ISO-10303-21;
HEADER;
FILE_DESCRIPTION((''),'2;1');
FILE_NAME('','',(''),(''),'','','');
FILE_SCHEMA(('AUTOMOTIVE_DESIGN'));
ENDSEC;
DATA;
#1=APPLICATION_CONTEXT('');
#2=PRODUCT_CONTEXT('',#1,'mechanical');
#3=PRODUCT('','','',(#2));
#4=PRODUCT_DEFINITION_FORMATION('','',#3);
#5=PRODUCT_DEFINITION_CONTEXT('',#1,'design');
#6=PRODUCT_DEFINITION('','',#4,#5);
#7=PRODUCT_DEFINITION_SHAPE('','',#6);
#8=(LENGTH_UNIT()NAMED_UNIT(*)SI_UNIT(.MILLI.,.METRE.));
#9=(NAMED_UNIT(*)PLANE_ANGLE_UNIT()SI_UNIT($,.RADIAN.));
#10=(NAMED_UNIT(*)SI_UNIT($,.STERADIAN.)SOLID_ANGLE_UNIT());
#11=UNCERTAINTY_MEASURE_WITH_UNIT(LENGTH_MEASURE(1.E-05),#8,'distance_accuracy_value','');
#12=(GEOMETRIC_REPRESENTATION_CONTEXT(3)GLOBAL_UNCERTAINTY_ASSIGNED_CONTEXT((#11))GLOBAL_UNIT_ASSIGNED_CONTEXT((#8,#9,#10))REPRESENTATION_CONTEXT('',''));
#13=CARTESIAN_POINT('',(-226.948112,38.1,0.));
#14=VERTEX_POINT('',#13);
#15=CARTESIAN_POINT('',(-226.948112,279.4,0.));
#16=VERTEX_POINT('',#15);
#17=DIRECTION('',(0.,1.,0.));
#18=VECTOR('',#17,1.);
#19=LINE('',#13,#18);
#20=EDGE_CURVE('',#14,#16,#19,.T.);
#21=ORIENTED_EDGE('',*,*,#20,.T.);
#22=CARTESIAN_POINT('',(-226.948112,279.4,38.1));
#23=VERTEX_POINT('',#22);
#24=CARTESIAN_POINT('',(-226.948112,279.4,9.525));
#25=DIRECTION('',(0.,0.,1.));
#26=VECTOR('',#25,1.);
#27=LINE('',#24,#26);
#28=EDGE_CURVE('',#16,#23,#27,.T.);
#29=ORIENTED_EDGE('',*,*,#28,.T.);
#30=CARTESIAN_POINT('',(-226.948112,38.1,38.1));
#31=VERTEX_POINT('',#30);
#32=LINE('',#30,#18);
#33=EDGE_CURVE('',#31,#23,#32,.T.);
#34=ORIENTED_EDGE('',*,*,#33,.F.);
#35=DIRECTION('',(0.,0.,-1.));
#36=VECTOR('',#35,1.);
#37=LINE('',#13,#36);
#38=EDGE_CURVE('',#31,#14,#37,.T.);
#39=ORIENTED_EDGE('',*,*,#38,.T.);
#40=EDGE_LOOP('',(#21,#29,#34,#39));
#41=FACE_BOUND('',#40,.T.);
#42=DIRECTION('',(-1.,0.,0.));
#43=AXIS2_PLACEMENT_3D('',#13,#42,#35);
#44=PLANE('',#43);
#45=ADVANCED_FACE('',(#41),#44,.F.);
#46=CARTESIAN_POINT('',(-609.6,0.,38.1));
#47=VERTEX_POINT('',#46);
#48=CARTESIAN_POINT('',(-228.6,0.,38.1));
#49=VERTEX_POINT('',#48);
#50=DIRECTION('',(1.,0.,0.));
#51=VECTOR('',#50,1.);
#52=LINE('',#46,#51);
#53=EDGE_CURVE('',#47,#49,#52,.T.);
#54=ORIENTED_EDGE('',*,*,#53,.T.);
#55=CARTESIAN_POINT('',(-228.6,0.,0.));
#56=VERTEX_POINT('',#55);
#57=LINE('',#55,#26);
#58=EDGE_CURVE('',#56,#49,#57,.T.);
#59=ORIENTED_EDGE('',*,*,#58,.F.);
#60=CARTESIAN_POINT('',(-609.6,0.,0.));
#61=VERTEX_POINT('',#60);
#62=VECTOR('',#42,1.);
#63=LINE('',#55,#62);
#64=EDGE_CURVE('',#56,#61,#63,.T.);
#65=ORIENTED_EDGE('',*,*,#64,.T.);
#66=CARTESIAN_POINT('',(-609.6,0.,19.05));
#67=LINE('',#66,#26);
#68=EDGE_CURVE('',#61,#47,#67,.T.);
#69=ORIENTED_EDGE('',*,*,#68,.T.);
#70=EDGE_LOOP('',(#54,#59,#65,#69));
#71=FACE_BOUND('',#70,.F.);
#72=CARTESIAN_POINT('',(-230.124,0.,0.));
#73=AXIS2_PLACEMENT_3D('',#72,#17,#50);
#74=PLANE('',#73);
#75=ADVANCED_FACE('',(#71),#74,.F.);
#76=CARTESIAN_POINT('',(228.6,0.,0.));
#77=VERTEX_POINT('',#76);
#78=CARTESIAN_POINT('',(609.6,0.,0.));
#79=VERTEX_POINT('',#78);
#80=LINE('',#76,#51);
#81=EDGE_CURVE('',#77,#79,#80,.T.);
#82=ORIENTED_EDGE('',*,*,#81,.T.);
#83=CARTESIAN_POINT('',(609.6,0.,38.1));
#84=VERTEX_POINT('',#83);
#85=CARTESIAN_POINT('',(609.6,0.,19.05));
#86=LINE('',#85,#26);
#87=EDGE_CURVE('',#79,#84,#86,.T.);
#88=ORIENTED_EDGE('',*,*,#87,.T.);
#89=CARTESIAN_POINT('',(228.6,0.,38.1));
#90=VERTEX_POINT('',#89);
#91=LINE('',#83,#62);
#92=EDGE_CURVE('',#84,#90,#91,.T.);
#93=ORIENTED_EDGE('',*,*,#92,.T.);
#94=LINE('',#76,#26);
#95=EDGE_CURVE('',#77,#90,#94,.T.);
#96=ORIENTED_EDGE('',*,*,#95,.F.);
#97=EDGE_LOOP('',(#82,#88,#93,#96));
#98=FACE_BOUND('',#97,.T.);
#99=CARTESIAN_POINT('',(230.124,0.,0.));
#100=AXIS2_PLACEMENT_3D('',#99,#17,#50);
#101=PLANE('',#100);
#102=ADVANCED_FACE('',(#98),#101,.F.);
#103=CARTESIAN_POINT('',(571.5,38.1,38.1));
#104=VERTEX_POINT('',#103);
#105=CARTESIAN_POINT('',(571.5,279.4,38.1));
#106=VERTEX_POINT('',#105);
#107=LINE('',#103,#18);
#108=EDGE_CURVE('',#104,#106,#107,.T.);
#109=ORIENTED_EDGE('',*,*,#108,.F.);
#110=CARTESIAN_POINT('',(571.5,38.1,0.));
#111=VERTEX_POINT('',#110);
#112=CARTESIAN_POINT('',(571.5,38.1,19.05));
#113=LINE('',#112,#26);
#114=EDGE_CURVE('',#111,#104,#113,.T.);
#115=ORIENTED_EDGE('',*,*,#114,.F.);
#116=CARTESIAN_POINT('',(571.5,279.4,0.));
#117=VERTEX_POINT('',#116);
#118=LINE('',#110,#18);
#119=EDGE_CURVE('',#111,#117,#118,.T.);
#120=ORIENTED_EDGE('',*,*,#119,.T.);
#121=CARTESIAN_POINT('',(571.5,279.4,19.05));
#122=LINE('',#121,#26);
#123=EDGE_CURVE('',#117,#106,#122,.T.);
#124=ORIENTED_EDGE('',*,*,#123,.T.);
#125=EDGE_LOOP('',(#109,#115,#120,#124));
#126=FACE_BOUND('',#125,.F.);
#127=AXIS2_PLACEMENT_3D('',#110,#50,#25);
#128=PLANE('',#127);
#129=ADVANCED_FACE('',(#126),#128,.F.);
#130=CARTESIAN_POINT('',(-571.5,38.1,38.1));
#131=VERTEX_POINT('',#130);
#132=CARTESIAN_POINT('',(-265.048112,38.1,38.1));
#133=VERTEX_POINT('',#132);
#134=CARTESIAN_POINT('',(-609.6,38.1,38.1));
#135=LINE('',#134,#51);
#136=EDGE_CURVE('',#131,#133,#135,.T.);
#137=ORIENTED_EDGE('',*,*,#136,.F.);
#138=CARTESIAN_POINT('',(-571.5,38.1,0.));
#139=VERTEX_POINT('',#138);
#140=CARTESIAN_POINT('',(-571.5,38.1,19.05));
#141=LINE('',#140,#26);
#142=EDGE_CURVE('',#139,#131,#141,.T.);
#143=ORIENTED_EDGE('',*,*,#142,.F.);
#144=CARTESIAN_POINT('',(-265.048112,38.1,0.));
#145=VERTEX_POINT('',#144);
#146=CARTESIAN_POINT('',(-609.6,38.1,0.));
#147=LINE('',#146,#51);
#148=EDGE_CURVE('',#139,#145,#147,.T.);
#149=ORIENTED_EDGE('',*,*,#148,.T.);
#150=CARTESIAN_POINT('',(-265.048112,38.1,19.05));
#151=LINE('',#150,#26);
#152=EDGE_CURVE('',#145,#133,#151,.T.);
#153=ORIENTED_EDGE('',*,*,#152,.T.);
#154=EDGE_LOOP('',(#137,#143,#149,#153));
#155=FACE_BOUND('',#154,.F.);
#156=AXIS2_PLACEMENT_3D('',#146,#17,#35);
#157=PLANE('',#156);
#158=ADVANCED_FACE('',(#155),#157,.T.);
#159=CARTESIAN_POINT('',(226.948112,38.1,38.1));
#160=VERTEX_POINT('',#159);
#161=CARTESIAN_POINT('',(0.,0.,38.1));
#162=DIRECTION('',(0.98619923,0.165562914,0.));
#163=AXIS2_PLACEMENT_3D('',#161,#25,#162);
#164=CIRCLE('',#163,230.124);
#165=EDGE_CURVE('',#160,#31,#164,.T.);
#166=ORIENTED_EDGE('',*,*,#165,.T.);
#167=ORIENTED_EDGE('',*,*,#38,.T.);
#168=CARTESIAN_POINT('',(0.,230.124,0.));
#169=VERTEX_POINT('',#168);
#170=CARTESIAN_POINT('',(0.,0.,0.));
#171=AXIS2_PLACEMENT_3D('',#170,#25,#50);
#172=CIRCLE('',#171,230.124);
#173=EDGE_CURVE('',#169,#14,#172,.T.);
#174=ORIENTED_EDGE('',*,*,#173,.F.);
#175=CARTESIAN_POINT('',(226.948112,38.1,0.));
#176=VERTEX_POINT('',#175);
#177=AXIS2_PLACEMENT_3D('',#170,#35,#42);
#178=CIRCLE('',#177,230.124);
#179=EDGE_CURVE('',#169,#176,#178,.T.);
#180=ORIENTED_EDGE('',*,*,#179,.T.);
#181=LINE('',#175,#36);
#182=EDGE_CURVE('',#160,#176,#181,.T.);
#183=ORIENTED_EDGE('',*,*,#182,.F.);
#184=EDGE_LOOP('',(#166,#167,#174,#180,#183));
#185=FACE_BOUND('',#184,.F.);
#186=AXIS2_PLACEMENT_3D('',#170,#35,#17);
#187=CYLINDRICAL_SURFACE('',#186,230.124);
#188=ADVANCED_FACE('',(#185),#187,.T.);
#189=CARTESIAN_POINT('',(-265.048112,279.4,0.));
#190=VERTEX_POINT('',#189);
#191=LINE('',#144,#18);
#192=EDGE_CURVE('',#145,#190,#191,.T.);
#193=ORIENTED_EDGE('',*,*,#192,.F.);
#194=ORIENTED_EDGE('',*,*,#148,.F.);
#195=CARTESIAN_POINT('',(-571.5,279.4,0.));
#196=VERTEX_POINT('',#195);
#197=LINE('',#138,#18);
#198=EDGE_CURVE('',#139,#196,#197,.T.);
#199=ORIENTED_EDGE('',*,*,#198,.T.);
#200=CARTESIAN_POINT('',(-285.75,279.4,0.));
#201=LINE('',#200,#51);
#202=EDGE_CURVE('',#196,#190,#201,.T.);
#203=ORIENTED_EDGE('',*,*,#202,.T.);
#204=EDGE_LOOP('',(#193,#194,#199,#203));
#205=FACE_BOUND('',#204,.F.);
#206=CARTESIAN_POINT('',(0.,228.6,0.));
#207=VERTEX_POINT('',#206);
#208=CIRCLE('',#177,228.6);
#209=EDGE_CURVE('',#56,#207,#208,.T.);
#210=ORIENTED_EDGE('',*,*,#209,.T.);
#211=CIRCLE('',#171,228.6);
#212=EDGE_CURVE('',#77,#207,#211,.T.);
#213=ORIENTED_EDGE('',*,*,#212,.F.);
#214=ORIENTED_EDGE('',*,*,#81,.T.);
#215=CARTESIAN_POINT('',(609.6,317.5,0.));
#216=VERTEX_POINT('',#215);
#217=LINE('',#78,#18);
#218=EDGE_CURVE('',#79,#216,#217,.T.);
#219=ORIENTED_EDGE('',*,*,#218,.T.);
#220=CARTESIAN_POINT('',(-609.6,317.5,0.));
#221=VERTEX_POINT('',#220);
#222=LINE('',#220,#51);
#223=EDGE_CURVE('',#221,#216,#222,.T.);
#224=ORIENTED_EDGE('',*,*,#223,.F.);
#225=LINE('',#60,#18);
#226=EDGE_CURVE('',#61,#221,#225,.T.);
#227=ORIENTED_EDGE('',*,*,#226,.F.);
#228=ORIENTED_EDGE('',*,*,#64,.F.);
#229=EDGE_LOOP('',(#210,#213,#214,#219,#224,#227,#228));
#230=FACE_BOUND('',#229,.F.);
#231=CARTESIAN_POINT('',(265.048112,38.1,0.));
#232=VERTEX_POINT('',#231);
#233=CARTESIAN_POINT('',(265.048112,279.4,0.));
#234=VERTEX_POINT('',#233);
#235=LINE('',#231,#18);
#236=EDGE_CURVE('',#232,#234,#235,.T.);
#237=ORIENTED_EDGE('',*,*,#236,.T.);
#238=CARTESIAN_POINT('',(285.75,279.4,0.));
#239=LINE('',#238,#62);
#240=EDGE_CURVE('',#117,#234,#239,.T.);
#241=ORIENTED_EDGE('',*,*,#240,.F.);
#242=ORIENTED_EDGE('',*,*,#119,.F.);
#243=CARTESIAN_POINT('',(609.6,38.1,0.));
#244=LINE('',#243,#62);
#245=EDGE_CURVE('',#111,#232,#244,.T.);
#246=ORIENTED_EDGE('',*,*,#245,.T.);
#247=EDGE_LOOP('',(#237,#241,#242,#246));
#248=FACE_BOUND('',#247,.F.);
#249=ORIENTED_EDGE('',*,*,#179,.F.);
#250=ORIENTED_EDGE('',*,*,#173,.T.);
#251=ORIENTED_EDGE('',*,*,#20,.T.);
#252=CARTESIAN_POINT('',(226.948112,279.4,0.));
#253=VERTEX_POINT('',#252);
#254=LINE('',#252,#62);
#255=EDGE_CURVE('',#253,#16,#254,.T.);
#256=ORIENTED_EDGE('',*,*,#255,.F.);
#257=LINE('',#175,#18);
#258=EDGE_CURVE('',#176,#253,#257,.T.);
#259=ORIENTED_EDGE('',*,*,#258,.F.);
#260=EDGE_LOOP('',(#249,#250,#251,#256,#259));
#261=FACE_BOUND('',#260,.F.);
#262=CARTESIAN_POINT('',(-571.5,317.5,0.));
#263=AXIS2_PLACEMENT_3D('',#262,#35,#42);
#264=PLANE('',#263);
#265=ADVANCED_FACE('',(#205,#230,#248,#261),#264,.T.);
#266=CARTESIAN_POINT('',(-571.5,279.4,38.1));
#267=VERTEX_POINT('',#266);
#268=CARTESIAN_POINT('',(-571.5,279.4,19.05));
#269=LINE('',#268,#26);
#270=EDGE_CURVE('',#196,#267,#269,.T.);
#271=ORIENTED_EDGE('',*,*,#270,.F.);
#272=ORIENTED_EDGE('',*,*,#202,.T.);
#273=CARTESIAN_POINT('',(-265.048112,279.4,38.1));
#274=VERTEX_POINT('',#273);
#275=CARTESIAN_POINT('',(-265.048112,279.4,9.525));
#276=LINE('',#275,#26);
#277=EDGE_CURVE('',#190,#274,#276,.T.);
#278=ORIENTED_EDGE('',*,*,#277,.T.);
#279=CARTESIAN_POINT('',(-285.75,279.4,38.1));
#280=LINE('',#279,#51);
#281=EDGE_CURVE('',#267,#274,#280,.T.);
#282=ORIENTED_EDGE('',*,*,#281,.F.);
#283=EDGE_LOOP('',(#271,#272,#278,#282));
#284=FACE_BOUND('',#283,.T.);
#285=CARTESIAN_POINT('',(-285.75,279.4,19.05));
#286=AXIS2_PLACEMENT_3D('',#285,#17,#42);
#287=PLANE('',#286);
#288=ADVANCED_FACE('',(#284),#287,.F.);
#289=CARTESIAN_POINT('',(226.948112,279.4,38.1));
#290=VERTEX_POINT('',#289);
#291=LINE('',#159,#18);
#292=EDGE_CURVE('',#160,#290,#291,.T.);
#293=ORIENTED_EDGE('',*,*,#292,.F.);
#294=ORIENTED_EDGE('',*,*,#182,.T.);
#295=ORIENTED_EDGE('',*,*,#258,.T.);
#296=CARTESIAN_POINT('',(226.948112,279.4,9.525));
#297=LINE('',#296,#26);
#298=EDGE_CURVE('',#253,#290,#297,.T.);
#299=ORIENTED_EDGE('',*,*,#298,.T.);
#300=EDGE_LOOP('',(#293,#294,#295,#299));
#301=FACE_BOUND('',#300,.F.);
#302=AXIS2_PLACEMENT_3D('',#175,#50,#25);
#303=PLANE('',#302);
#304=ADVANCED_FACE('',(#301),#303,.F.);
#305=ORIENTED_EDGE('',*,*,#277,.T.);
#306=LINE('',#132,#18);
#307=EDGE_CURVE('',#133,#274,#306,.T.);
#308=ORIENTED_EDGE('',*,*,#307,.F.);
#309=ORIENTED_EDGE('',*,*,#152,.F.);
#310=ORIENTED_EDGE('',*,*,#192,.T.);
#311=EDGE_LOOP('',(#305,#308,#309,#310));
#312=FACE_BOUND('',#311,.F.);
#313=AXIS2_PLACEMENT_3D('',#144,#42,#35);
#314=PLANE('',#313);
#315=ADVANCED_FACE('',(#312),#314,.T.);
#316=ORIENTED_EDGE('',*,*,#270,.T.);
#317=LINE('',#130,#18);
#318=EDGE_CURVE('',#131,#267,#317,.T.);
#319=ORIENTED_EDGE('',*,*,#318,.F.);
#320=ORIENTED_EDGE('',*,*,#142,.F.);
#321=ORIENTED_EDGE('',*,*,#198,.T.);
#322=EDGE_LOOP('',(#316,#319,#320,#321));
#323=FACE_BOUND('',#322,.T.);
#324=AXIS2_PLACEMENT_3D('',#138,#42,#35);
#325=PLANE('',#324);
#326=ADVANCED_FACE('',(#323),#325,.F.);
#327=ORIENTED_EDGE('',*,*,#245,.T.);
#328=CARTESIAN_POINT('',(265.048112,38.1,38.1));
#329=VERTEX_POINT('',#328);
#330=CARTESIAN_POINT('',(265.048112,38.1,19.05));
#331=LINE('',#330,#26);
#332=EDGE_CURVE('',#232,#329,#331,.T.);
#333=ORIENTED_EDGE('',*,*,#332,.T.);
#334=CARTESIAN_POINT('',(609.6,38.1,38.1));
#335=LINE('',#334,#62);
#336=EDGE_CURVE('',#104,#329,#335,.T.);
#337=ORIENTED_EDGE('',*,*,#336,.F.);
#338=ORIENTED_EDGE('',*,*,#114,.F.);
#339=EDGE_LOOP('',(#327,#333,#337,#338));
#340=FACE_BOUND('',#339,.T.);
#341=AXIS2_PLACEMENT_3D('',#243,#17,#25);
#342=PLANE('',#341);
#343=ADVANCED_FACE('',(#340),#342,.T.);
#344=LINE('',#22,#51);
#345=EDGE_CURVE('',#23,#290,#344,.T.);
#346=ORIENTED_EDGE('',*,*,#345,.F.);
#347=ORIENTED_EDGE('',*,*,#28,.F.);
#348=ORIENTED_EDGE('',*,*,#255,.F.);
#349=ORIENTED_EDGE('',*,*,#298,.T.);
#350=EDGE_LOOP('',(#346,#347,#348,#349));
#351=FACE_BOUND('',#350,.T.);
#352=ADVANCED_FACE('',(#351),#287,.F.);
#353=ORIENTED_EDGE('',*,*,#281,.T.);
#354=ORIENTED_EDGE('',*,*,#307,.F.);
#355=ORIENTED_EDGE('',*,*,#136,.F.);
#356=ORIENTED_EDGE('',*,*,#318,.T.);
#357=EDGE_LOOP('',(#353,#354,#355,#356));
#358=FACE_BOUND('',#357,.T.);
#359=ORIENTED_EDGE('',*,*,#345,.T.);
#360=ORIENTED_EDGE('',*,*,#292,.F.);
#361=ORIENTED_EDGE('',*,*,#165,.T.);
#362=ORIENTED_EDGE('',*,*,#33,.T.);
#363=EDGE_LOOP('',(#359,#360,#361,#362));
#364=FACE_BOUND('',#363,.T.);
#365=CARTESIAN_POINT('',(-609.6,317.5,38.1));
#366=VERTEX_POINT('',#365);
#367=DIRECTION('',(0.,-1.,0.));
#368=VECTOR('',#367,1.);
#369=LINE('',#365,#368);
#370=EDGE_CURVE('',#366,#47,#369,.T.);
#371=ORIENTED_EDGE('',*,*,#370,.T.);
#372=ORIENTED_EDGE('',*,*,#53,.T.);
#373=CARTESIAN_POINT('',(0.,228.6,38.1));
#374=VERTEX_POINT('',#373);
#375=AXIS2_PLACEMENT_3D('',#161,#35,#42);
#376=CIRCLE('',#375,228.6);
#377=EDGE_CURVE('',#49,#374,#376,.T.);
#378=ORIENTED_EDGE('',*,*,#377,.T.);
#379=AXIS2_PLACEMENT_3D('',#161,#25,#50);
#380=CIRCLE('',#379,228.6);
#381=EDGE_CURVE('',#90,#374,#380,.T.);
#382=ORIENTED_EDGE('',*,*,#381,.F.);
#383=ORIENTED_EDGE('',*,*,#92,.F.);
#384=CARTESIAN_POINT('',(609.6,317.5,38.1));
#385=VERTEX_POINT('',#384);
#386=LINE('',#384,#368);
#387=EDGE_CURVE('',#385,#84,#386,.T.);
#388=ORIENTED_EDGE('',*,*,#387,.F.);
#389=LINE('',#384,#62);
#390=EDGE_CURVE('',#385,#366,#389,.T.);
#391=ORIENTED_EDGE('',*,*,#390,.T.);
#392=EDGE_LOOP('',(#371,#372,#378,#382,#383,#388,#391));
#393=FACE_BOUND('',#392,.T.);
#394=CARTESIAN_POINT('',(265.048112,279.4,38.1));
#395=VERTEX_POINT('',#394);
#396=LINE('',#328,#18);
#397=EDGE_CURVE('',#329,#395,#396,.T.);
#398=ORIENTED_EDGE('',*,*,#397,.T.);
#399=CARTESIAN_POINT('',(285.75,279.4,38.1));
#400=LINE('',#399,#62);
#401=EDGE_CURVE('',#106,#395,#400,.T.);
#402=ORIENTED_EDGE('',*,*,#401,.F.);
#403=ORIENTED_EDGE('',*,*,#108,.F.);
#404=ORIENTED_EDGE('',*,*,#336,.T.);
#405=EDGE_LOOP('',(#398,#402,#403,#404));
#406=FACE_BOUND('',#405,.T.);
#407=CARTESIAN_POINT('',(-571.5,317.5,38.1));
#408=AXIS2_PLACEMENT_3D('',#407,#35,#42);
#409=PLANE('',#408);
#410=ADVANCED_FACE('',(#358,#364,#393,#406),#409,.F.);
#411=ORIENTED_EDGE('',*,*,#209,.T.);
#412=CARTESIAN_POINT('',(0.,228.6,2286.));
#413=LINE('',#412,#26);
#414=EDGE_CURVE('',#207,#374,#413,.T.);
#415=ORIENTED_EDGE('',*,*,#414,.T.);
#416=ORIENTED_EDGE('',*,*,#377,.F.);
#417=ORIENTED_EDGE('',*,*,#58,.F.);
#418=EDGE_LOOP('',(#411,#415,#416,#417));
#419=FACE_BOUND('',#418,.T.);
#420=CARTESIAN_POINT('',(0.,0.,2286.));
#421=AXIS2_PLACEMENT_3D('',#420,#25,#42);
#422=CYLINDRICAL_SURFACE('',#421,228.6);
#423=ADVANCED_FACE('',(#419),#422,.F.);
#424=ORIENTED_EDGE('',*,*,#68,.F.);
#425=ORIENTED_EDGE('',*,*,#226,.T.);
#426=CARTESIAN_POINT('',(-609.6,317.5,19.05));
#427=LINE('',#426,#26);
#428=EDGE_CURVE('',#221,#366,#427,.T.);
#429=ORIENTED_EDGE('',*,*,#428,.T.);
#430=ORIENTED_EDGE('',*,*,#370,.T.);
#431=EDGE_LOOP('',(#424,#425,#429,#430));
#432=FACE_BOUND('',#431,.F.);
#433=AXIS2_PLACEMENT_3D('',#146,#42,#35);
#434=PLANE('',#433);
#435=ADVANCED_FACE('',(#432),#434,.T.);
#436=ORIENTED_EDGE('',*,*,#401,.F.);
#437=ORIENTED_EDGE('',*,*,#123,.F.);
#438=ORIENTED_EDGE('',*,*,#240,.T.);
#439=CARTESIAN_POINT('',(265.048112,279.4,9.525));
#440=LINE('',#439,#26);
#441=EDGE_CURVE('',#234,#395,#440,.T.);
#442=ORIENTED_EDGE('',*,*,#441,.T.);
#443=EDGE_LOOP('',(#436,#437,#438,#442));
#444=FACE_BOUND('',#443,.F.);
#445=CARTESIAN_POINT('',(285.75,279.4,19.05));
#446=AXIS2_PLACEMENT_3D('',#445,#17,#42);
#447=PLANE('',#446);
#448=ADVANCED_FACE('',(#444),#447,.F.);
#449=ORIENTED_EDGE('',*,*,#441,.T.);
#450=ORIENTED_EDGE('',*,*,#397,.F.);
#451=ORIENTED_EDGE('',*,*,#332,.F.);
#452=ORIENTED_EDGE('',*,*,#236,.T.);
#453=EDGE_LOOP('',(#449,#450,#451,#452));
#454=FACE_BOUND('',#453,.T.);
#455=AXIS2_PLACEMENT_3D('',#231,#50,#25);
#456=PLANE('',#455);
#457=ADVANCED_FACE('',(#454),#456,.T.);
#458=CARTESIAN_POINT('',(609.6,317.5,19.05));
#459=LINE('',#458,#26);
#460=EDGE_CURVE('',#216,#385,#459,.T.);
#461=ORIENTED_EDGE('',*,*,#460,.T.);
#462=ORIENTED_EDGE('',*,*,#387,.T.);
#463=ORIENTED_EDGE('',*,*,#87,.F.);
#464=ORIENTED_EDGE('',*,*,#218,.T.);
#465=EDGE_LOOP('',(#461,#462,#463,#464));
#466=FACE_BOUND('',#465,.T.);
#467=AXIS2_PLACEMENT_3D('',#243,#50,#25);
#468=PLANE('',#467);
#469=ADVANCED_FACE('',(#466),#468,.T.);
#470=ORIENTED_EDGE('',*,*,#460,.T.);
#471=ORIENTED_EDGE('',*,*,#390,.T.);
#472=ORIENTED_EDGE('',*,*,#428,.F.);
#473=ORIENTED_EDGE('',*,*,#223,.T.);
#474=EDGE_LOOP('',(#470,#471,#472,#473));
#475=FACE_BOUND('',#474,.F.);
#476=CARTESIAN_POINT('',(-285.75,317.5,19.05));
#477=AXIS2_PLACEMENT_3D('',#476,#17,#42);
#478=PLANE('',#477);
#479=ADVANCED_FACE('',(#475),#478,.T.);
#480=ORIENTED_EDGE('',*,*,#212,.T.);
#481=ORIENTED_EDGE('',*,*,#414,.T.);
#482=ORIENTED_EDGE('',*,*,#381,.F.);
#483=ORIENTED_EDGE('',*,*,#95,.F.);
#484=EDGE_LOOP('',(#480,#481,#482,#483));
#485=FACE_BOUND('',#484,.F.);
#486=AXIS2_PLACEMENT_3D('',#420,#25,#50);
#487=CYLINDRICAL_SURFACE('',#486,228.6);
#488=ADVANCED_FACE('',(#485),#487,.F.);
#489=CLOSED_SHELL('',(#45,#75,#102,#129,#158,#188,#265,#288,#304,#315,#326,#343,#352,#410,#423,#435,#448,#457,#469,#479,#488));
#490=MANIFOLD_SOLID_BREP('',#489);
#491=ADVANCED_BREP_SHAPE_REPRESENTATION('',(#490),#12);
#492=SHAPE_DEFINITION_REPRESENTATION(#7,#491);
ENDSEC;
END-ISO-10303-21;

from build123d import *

# Parameters (mm, degrees)
F0_R      = 228.6
F1_DEPTH  = 2286
F3_DEPTH  = 38.1
F6_W      = 38.1
F6_H      = 38.1
F8_W      = 38.1
F8_H      = 38.1
F9_DEPTH  = 279.4
F10_W     = 571.5
F10_H     = 38.1
F11_DEPTH = 38.1
F12_W     = 424.9351322651
F12_H     = 38.1
F13_DEPTH = 546.101
F14_R     = 228.6
F15_DEPTH = 4572


with BuildPart() as f1:
    # F0 (on Top) → F1 (new body, symmetric)
    with BuildSketch(Plane.XY):
        Circle(F0_R)
    extrude(amount=F1_DEPTH, both=True)

    # F2 (on Top) → F3 (join)
    with BuildSketch(Plane.XY):
        with BuildLine():
            ThreePointArc((-226.949, 0), (-160.4771768835, 160.4771768835), (0, 226.949))
            Line((0, 226.949), (0, 230.124))
            ThreePointArc((0, 230.124), (-162.7222409138, 162.7222409138), (-230.124, 0))
            Line((-230.124, 0), (-226.949, 0))
        make_face()
    extrude(amount=F3_DEPTH)

    # F4: F1 across face


with BuildPart() as f1_1:
    add(f1.part)
    add(f1.part.mirror(Plane(origin=(0, 229.362, 19.05), x_dir=(0, 1, 0), z_dir=(1, 0, 0))))

    # F6 (on offset) → F7 (join, up to the next surface of F1)
    with BuildSketch(Plane.YZ.offset(609.6)):
        with Locations((19.05, 19.05)):
            Rectangle(F6_W, F6_H)
    extrude(until=Until.NEXT, dir=(-1, 0, 0))

    # F8 (on face) → F9 (join)
    with BuildSketch(Plane(origin=(0, 38.1, 0), x_dir=(-1, 0, 0), z_dir=(0, 1, 0))):
        with Locations((-590.55, 19.05)):
            Rectangle(F8_W, F8_H)
        with Locations((-245.9981116379, 19.05)):
            Rectangle(F8_W, F8_H)
    extrude(amount=F9_DEPTH)

    # F10 (on face) → F11 (join)
    with BuildSketch(Plane(origin=(0, 317.5, 0), x_dir=(-1, 0, 0), z_dir=(0, 1, 0))):
        with Locations((-285.75, 19.05)):
            Rectangle(F10_W, F10_H)
    extrude(amount=-F11_DEPTH)

    # F12 (on face) → F13 (cut, through all)
    with BuildSketch(Plane(origin=(0, 317.5, 0), x_dir=(-1, 0, 0), z_dir=(0, 1, 0))):
        with Locations((212.4675661325, 19.05)):
            Rectangle(F12_W, F12_H)
    extrude(amount=-F13_DEPTH, mode=Mode.SUBTRACT)

    # F14 (on face) → F15 (cut)
    with BuildSketch(Plane.XY.offset(2286)):
        Circle(F14_R)
    extrude(amount=-F15_DEPTH, mode=Mode.SUBTRACT)

    # F16: F1 across face


with BuildPart() as f1_2:
    add(f1_1.part)
    add(f1_1.part.mirror(Plane(origin=(0, 298.45, 19.05), x_dir=(0, -1, 0), z_dir=(-1, 0, 0))))


solid = f1_2.part
